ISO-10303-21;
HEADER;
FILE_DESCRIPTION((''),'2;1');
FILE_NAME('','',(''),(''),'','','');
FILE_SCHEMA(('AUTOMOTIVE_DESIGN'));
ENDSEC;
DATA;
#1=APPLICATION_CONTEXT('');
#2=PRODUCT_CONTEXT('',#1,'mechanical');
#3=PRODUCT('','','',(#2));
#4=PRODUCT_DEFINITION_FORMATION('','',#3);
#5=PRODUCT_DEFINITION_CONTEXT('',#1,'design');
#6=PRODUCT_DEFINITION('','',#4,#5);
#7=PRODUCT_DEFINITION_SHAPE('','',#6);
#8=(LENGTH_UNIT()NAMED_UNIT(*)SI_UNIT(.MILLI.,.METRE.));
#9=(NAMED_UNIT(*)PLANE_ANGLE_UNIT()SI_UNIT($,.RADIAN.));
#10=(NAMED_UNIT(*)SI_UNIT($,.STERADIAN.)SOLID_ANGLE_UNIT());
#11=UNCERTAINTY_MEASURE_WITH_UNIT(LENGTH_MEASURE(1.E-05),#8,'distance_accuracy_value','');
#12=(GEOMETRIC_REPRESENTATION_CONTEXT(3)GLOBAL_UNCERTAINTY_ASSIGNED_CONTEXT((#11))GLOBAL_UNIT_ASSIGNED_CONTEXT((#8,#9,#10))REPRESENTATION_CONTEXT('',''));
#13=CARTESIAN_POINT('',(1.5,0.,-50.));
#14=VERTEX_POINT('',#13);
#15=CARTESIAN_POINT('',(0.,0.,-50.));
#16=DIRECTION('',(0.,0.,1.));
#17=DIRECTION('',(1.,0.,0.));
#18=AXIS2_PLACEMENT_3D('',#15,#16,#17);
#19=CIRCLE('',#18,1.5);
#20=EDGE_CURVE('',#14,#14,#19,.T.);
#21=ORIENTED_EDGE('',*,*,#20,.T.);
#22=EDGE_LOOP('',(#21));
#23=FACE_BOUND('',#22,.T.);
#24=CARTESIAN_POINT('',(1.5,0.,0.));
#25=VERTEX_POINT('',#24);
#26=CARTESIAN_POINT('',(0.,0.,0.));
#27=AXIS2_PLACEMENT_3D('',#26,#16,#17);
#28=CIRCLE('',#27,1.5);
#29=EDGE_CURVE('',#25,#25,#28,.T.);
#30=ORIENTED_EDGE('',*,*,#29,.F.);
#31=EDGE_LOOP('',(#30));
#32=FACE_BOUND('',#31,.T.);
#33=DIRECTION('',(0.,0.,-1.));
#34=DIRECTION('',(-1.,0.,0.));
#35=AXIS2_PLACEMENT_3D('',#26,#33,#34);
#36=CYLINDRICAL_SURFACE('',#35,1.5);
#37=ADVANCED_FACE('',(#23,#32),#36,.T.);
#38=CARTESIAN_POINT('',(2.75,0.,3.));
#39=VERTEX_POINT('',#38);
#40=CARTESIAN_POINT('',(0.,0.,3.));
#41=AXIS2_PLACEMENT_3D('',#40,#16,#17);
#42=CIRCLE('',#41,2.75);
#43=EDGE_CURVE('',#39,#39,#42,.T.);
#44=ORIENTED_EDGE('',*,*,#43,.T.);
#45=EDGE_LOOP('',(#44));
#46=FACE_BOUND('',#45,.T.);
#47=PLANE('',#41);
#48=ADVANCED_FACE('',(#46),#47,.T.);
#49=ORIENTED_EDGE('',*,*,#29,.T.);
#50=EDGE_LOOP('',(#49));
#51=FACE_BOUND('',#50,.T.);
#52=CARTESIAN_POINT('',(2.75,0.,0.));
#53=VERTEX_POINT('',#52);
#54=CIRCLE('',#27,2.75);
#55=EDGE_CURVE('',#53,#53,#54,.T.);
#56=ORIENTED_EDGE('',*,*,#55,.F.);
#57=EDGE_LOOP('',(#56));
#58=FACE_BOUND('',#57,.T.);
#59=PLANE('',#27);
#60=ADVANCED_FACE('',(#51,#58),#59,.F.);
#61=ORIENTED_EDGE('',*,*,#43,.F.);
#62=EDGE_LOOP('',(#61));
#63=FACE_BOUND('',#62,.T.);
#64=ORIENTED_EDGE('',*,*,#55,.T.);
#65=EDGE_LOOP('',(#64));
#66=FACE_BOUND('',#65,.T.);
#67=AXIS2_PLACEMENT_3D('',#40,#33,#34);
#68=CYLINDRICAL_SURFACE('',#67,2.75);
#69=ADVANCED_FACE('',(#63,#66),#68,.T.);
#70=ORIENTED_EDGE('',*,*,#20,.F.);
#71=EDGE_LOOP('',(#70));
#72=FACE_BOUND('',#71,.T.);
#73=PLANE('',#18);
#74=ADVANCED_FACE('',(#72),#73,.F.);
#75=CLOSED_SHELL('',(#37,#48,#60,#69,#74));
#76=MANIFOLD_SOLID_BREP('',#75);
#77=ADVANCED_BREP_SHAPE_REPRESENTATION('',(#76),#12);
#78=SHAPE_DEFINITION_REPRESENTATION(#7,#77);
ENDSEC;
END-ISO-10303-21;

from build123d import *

# Parameters (mm, degrees)
SHANK_NOMINAL_THREAD_ENVELOPE_START     = -50
SHANK_NOMINAL_THREAD_ENVELOPE_PROFILE_R = 1.5
SHANK_NOMINAL_THREAD_ENVELOPE_DEPTH     = 50
SOCKET_HEAD_ENVELOPE_PROFILE_R          = 2.75
SOCKET_HEAD_ENVELOPE_DEPTH              = 3


with BuildPart() as part:
    # Shank_nominal_thread_envelope_profile → Shank_nominal_thread_envelope (new body)
    with BuildSketch(Plane.XY.offset(SHANK_NOMINAL_THREAD_ENVELOPE_START)):
        Circle(SHANK_NOMINAL_THREAD_ENVELOPE_PROFILE_R)
    extrude(amount=SHANK_NOMINAL_THREAD_ENVELOPE_DEPTH)

    # Socket_head_envelope_profile → Socket_head_envelope (add)
    with BuildSketch(Plane.XY):
        Circle(SOCKET_HEAD_ENVELOPE_PROFILE_R)
    extrude(amount=SOCKET_HEAD_ENVELOPE_DEPTH)


solid = part.part
